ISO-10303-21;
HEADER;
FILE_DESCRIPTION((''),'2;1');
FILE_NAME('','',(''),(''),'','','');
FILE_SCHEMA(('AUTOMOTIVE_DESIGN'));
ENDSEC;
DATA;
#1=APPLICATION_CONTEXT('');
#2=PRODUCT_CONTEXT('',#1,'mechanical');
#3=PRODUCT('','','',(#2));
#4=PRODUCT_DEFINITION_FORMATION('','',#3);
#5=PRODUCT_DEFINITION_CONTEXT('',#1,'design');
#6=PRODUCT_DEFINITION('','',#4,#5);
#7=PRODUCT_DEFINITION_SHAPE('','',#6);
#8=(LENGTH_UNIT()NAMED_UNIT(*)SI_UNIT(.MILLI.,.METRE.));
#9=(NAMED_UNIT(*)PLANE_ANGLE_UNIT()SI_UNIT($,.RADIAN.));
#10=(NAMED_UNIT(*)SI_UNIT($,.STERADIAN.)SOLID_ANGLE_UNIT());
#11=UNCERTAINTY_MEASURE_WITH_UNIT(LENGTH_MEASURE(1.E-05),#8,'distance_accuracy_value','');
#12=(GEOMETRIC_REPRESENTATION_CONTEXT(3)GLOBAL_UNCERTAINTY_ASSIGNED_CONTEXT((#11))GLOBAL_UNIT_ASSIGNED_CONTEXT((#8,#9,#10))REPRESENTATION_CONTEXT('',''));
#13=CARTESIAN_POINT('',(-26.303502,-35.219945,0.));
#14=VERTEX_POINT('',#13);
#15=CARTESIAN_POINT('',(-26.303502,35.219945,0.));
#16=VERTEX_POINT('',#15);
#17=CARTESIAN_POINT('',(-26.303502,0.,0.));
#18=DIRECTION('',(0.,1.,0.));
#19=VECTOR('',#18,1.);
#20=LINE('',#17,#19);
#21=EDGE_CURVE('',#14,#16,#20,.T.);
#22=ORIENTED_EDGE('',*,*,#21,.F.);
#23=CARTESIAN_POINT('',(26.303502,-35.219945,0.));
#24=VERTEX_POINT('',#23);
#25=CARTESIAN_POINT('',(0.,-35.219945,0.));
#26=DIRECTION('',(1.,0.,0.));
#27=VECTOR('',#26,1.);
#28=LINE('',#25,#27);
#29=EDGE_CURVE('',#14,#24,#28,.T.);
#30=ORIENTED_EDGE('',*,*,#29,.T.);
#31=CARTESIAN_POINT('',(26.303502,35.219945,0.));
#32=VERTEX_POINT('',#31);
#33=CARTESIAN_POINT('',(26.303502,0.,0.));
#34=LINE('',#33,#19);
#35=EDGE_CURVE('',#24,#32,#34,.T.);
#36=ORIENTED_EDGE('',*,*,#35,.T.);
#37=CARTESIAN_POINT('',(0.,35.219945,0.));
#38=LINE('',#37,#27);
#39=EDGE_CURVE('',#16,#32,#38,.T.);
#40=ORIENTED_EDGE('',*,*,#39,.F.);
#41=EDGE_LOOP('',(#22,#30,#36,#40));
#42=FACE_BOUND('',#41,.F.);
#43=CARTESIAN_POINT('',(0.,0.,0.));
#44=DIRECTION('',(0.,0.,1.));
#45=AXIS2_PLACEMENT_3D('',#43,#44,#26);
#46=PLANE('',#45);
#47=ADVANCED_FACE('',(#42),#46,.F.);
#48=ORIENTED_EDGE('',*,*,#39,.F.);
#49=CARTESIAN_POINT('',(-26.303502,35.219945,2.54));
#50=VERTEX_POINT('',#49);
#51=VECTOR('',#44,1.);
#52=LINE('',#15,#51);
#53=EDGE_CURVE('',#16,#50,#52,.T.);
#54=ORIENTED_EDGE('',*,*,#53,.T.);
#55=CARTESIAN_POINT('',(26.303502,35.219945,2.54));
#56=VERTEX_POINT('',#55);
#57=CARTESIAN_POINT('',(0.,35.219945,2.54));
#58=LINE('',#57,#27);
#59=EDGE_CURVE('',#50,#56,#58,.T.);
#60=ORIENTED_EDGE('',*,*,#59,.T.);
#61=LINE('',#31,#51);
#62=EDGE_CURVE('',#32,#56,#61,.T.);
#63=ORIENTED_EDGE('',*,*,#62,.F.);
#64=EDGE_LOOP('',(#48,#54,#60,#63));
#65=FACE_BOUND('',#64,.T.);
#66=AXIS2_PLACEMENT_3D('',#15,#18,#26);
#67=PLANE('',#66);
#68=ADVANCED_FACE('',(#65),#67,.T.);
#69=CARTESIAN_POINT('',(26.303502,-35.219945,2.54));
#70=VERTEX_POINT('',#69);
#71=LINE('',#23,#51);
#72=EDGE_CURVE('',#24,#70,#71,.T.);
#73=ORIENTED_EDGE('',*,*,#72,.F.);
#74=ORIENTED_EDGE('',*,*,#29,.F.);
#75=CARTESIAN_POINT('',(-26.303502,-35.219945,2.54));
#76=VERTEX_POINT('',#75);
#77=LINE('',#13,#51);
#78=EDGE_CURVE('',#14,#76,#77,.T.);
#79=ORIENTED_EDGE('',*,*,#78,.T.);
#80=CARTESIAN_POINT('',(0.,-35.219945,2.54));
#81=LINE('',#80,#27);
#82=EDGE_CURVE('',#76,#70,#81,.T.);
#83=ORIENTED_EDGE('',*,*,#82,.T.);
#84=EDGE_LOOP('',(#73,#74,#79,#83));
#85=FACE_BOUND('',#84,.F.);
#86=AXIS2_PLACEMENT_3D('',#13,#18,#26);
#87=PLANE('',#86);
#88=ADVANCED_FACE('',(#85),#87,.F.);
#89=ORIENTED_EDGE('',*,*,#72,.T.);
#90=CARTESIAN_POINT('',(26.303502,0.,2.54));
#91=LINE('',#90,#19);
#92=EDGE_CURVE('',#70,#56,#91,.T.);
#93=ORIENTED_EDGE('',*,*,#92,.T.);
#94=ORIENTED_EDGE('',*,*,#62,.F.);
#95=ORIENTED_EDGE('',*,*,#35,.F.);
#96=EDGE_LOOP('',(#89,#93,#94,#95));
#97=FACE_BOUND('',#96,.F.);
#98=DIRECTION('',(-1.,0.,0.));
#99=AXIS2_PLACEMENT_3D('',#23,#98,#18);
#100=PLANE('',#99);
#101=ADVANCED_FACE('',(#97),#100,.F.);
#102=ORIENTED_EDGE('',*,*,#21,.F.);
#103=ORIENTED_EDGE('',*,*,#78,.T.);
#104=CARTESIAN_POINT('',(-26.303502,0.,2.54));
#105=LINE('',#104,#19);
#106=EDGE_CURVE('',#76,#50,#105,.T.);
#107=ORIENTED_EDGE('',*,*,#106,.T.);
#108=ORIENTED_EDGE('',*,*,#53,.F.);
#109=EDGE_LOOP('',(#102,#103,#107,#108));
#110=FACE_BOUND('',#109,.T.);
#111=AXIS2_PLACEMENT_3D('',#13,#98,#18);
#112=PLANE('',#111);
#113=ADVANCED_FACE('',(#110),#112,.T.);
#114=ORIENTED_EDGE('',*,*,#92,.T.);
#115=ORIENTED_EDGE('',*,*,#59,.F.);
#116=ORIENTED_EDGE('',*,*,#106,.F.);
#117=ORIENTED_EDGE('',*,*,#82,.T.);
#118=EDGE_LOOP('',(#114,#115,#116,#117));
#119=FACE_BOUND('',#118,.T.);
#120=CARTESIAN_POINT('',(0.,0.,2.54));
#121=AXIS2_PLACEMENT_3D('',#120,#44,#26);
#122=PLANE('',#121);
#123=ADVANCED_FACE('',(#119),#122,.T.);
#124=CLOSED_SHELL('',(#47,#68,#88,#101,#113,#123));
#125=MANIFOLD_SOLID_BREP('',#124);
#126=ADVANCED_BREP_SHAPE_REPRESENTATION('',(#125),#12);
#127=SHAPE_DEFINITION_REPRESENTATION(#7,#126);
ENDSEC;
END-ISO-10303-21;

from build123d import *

# Parameters (mm, degrees)
F0_R          = 11.93546
F1_DEPTH      = 14.478
F3_W          = 95.2036306262
F3_H          = 59.2658370733
F4_DEPTH      = 25.4
F4_DEPTH_BACK = 25.4
F6_W          = 52.6070035994
F6_H          = 70.439890027
F7_DEPTH      = 2.54


with BuildPart() as f1:
    # F0 (on Front) → F1 (new body)
    with BuildSketch(Plane.XZ):
        Circle(F0_R)
    extrude(amount=F1_DEPTH)


with BuildPart() as f4:
    # F3 (on Front) → F4 (new body, two sides)
    with BuildSketch(Plane.XZ) as f4_sk:
        Rectangle(F3_W, F3_H)
    extrude(amount=F4_DEPTH)
    extrude(f4_sk.sketch, amount=-F4_DEPTH_BACK)


with BuildPart() as f7:
    # F6 (on Top) → F7 (new body)
    with BuildSketch(Plane.XY):
        Rectangle(F6_W, F6_H)
    extrude(amount=F7_DEPTH)


solid = f7.part
